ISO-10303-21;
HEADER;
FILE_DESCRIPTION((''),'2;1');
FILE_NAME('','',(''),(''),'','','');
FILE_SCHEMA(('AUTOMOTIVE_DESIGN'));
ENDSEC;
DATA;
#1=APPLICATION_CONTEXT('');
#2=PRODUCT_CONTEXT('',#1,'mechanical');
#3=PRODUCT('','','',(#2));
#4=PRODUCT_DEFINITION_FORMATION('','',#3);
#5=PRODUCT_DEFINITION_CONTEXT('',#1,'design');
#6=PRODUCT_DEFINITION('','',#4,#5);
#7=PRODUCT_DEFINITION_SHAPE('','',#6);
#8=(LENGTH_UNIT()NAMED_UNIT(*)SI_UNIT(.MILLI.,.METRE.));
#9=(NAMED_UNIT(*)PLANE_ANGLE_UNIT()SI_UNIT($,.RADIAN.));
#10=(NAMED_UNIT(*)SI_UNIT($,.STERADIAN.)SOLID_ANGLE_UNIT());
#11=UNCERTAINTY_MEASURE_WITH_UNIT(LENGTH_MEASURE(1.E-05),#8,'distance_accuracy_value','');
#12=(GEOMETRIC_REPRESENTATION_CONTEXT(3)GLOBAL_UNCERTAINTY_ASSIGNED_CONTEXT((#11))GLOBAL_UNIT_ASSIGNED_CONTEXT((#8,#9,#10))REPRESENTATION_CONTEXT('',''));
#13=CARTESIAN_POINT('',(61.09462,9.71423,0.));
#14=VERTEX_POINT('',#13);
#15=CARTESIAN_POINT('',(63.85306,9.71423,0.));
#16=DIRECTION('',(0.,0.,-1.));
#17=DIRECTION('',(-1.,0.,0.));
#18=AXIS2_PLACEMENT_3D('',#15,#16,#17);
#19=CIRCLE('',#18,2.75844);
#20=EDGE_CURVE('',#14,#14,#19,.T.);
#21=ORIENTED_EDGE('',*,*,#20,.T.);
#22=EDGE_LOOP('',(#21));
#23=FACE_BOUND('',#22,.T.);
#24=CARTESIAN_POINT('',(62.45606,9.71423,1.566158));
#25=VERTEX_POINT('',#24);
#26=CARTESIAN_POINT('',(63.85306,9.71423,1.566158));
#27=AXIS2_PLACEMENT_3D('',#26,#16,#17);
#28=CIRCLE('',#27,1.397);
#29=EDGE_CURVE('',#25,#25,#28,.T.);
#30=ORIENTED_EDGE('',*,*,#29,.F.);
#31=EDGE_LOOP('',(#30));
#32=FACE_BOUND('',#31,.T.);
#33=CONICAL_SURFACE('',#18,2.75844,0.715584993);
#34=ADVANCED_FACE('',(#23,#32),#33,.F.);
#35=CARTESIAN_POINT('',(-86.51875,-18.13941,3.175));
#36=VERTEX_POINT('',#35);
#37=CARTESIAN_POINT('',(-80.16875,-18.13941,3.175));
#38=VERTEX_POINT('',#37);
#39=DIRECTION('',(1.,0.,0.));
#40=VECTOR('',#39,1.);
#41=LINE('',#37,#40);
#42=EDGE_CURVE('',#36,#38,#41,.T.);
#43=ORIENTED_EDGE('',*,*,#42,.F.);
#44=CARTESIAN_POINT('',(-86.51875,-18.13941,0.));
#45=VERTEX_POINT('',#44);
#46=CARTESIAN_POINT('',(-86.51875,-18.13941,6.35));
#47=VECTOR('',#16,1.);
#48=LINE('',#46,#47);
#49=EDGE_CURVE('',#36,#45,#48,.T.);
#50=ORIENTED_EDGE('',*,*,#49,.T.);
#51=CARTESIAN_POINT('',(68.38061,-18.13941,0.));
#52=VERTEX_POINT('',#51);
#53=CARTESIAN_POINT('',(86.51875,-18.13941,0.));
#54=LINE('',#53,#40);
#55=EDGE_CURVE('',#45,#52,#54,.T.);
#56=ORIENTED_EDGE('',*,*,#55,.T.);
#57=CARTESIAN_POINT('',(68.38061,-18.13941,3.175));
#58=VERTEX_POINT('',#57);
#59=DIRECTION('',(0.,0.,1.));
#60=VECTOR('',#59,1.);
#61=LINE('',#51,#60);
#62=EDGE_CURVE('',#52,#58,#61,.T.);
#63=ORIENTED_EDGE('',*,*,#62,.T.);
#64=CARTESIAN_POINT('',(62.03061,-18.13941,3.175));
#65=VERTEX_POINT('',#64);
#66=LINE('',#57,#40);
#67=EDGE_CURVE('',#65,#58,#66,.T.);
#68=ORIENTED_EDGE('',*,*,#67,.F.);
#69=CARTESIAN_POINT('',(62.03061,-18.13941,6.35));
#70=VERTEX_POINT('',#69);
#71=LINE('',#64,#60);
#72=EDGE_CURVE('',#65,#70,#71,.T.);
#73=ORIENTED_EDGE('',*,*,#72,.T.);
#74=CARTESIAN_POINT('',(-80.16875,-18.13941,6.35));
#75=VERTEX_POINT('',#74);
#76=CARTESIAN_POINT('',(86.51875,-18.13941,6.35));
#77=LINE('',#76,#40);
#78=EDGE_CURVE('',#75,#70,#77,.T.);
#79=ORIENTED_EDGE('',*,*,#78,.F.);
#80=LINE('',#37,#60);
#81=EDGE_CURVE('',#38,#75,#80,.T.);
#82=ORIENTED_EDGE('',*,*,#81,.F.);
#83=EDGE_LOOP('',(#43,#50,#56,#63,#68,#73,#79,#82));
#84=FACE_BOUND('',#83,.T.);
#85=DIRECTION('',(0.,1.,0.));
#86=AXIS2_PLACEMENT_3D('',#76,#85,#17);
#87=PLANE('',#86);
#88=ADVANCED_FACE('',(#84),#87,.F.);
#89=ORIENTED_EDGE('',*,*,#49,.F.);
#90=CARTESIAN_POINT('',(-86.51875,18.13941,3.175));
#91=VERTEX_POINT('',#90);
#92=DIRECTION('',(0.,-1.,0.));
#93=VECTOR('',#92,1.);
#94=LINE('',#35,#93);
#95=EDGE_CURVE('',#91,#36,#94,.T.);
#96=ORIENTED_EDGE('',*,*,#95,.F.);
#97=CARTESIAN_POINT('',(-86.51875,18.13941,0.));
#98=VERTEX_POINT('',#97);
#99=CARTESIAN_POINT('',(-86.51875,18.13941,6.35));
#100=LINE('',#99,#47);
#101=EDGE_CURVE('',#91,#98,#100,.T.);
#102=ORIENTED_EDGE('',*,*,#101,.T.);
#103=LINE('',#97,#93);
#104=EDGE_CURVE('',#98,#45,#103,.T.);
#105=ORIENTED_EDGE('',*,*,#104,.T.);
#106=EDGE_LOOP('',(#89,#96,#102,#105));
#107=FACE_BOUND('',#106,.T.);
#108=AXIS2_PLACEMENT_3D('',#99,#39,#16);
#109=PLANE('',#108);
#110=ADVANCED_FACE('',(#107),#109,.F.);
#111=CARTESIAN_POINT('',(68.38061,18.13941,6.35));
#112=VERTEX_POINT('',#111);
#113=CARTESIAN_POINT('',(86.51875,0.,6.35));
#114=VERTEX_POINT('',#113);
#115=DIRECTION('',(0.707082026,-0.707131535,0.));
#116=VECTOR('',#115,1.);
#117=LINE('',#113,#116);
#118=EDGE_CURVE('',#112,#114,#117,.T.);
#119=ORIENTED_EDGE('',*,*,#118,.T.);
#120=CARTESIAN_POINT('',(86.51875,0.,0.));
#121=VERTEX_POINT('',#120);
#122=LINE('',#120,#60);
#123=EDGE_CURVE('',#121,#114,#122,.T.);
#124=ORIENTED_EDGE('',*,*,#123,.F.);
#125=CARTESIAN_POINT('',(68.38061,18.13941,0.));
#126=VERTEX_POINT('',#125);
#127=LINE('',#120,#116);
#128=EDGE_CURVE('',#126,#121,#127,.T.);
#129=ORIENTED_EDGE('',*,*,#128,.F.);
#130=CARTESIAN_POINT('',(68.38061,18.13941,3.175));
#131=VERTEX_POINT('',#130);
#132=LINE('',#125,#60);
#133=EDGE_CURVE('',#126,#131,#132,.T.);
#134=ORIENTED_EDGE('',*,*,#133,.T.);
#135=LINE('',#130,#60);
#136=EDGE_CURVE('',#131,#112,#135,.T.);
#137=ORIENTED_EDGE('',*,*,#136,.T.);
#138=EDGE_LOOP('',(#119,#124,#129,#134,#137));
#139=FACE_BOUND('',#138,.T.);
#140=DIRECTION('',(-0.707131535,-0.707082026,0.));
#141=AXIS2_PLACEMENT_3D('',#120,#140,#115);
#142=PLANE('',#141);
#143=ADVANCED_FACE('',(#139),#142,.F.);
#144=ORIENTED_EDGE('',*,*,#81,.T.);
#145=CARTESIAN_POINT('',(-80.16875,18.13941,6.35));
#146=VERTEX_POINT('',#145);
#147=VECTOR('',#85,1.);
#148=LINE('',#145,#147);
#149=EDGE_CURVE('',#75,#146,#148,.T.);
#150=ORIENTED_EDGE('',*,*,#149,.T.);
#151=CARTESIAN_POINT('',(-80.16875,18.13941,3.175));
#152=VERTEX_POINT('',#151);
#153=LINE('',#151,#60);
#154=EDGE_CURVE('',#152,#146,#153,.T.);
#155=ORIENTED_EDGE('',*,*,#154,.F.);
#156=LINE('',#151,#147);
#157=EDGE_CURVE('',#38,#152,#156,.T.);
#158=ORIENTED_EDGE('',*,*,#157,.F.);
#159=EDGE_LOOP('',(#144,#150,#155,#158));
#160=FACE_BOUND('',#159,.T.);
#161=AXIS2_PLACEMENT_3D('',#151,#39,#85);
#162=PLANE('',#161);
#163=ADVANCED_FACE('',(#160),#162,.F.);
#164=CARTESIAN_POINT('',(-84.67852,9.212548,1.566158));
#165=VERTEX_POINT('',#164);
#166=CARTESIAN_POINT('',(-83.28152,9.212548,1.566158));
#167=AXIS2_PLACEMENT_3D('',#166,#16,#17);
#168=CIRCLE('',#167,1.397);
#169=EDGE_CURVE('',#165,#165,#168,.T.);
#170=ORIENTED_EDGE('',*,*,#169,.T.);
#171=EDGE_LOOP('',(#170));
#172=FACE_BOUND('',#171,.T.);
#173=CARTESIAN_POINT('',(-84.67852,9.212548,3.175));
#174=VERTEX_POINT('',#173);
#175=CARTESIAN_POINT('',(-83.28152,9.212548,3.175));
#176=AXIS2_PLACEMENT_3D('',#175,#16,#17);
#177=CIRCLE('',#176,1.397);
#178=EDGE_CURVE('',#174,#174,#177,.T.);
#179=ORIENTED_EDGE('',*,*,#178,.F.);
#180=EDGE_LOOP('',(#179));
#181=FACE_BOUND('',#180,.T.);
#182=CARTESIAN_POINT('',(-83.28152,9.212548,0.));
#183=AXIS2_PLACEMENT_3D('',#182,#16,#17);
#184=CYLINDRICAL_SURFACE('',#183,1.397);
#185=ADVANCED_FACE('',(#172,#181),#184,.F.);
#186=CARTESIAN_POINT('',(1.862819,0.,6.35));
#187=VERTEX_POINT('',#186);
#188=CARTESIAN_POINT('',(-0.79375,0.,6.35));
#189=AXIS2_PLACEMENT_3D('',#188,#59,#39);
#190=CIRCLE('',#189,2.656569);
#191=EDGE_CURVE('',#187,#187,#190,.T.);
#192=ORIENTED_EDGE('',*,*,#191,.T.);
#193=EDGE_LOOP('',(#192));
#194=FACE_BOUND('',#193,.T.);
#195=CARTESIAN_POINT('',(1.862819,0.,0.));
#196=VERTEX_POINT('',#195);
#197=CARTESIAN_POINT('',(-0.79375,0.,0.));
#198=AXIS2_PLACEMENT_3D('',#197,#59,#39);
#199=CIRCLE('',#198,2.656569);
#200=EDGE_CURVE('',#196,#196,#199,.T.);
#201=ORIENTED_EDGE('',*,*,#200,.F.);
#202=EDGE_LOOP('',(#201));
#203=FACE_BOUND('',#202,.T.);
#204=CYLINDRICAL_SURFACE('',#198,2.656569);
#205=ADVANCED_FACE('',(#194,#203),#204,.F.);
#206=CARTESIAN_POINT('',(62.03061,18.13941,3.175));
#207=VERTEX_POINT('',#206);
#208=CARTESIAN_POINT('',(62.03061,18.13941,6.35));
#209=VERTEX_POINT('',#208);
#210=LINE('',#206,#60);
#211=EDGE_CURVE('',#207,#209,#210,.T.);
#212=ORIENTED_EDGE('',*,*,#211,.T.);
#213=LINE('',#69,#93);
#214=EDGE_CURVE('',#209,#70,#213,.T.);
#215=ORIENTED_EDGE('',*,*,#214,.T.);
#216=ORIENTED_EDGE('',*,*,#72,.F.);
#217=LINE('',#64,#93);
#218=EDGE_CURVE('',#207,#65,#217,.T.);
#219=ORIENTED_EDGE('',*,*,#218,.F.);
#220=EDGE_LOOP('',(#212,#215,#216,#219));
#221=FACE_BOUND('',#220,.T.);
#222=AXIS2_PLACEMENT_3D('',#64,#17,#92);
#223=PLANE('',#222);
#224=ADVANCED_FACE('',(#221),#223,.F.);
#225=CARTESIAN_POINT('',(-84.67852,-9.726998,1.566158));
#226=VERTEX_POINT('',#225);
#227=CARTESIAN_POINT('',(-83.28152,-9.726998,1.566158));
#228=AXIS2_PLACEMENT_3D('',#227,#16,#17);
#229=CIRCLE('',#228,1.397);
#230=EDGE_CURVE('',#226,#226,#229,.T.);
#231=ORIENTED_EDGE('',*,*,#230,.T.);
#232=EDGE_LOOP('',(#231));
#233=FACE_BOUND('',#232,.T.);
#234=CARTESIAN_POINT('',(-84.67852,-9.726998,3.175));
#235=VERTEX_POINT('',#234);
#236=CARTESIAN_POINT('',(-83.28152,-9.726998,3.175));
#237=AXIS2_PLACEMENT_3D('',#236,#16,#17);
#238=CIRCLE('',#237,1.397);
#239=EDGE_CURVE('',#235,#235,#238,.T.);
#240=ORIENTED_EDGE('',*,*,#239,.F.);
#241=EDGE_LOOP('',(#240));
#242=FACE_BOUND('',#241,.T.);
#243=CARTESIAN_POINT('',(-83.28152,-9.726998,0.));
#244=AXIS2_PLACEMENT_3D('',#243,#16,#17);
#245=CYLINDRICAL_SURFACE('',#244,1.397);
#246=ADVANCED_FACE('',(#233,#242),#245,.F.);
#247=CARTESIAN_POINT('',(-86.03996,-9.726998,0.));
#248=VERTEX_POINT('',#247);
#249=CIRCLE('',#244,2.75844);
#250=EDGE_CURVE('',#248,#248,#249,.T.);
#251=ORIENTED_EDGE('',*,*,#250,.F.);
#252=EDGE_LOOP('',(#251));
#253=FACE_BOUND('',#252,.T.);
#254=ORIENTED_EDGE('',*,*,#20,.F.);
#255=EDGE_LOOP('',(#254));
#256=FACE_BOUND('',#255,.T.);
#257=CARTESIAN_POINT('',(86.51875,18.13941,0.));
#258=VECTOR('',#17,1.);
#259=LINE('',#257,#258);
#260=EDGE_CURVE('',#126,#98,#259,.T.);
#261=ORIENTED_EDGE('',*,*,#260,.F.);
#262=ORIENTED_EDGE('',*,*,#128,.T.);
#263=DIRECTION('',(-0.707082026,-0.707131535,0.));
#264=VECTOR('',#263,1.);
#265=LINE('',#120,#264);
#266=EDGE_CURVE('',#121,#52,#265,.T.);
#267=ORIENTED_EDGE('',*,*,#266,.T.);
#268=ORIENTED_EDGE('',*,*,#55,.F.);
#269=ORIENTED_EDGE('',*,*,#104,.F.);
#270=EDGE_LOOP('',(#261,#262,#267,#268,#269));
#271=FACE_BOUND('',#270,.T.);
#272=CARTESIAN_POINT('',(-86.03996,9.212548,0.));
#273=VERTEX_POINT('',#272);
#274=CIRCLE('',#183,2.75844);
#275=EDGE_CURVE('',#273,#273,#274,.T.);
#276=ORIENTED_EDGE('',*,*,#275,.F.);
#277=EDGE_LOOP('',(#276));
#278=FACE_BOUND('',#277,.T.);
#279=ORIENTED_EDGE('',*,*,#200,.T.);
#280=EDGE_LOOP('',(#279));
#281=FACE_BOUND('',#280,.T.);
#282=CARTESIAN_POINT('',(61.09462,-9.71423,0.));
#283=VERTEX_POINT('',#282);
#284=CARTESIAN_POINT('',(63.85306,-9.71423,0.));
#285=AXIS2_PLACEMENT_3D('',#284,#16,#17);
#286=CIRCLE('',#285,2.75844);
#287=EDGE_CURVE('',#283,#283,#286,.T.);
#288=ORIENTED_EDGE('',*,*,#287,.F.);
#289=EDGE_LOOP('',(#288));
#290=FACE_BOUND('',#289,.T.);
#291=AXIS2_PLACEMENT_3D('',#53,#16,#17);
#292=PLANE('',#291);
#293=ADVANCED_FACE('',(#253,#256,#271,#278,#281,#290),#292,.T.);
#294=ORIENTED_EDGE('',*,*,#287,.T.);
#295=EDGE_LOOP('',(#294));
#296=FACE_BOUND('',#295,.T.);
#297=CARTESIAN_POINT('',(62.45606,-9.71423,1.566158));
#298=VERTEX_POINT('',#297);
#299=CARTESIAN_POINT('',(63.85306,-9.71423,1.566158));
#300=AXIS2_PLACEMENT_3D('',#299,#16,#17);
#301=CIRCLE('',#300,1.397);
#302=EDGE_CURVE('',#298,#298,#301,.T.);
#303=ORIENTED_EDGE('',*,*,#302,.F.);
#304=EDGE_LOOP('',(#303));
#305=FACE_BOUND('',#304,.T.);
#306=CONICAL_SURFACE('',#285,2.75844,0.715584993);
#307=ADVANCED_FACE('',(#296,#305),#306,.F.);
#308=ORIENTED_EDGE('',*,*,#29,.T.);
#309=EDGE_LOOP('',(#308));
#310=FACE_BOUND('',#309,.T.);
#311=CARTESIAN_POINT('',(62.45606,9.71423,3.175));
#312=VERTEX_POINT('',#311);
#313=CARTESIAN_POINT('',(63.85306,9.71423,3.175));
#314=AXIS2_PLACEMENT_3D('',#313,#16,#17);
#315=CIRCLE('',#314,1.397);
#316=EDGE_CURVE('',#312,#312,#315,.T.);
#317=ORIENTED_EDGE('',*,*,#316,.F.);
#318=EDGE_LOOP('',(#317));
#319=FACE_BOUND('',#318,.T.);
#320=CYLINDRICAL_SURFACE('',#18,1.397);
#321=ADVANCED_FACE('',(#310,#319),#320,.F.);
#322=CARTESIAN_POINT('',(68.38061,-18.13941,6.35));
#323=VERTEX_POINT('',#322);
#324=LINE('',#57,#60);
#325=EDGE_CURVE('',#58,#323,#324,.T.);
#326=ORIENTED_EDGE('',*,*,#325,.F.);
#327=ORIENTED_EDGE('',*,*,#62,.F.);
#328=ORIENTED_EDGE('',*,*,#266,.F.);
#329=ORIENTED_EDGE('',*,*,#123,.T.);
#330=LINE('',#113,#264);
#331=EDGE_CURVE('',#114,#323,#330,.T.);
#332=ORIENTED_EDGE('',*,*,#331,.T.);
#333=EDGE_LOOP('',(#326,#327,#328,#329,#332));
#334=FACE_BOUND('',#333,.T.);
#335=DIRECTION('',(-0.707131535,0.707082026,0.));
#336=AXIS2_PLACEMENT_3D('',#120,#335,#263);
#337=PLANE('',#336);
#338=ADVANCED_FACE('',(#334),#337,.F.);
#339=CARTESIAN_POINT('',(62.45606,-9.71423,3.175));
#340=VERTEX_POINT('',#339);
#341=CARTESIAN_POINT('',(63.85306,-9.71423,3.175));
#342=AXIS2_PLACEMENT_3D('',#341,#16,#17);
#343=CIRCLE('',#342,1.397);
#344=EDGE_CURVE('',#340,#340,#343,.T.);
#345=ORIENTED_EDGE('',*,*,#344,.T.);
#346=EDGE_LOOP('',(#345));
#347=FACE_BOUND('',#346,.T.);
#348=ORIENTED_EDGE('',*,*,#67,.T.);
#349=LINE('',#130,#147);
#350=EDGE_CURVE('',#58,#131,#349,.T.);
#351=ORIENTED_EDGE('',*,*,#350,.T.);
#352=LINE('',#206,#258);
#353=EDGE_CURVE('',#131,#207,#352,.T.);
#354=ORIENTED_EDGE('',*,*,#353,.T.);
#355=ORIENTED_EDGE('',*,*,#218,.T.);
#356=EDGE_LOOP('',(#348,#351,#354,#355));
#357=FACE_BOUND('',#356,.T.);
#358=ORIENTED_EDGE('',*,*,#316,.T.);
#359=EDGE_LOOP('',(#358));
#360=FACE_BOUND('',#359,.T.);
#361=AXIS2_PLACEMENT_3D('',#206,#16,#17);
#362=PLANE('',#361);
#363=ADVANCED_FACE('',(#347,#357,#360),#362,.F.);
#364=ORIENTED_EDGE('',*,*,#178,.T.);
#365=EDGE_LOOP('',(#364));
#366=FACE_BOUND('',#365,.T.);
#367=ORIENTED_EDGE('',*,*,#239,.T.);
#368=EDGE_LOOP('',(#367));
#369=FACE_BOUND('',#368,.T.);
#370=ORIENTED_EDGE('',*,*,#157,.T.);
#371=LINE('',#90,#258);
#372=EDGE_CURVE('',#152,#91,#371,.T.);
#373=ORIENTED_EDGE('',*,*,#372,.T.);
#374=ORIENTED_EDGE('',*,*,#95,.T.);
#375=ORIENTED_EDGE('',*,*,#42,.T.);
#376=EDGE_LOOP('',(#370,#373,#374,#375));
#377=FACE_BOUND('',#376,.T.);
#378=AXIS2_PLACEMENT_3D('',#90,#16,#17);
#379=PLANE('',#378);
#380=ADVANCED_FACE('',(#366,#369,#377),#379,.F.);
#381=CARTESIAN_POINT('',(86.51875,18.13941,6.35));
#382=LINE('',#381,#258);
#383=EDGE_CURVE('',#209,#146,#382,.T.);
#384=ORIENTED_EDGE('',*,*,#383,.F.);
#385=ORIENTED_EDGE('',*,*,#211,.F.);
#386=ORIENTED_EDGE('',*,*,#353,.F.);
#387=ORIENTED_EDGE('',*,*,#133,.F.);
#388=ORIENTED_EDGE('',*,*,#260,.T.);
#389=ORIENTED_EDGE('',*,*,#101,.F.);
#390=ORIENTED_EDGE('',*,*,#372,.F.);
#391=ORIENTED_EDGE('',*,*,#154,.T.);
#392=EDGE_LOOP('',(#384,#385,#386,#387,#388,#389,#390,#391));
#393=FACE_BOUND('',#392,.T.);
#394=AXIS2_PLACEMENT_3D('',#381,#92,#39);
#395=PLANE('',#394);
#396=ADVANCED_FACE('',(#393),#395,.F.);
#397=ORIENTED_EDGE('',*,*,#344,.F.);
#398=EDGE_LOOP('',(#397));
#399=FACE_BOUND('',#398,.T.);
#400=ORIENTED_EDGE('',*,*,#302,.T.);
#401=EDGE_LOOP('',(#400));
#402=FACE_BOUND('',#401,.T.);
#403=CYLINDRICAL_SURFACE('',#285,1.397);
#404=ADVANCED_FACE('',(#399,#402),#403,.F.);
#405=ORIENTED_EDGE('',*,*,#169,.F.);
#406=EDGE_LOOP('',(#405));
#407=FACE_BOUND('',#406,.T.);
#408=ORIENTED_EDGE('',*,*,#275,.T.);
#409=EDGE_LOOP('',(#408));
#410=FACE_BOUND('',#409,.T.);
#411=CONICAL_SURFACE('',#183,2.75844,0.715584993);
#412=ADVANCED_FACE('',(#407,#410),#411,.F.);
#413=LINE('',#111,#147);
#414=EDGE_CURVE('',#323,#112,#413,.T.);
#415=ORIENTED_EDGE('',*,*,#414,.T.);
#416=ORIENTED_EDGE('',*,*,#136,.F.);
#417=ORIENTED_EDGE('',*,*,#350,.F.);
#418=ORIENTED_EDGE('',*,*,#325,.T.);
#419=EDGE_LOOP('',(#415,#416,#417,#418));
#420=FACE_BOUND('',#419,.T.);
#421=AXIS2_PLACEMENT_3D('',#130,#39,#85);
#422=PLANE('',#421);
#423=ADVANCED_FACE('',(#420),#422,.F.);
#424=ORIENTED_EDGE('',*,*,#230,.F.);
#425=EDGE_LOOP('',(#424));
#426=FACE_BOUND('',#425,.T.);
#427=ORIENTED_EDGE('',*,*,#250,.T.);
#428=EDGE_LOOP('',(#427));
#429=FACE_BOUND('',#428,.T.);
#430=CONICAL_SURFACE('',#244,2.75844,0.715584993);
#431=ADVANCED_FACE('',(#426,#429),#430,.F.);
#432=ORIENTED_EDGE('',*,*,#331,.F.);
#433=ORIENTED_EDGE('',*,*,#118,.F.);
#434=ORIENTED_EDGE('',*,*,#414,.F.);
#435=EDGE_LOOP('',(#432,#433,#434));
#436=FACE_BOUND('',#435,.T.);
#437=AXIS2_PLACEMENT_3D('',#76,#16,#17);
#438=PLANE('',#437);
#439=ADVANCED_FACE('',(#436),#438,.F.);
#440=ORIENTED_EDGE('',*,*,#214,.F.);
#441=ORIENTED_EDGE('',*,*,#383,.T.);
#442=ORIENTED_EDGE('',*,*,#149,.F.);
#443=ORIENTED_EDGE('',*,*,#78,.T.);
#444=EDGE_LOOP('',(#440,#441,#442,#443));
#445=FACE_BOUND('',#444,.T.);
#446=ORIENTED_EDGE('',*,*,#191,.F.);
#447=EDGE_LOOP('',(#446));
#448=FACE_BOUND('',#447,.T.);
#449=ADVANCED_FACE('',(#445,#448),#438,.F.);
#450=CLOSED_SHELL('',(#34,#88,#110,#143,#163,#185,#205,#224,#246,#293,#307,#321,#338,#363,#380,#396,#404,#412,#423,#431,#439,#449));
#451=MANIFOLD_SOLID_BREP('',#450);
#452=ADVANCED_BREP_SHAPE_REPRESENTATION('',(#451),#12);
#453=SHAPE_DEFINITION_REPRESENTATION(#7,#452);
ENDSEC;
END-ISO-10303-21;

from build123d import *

# Parameters (mm, degrees)
SKETCH1_W                                         = 173.0375
SKETCH1_H                                         = 36.27882
EXTRUDE2_DEPTH                                    = 6.35
SKETCH8_W                                         = 6.35
SKETCH8_H                                         = 36.27882
EXTRUDE7_DEPTH                                    = 3.175
CSK_FOR_3_FLAT_HEAD_SOCKET_CAP_SCREW1_D           = 2.794
CSK_FOR_3_FLAT_HEAD_SOCKET_CAP_SCREW1_CSINK_D     = 5.51688
CSK_FOR_3_FLAT_HEAD_SOCKET_CAP_SCREW1_CSINK_ANGLE = 82
CSK_FOR_3_FLAT_HEAD_SOCKET_CAP_SCREW2_D           = 2.794
CSK_FOR_3_FLAT_HEAD_SOCKET_CAP_SCREW2_CSINK_D     = 5.51688
CSK_FOR_3_FLAT_HEAD_SOCKET_CAP_SCREW2_CSINK_ANGLE = 82
CSK_FOR_3_FLAT_HEAD_SOCKET_CAP_SCREW3_D           = 2.794
CSK_FOR_3_FLAT_HEAD_SOCKET_CAP_SCREW3_CSINK_D     = 5.51688
CSK_FOR_3_FLAT_HEAD_SOCKET_CAP_SCREW3_CSINK_ANGLE = 82
EXTRUDE8_DEPTH                                    = 89.627618702
SKETCH19_R                                        = 2.656568676
EXTRUDE9_DEPTH                                    = 89.627618702


with BuildPart() as part:
    # Sketch1 → Extrude2 (new body)
    with BuildSketch(Plane.XY):
        Rectangle(SKETCH1_W, SKETCH1_H)
    extrude(amount=EXTRUDE2_DEPTH)

    # Sketch8 → Extrude7 (cut)
    with BuildSketch(Plane.XY.offset(6.35)):
        with Locations((-83.34375, 0)):
            Rectangle(SKETCH8_W, SKETCH8_H)
        with Locations((65.20561, 0)):
            Rectangle(SKETCH8_W, SKETCH8_H)
    extrude(amount=-EXTRUDE7_DEPTH, mode=Mode.SUBTRACT)

    # CSK for #3 Flat Head Socket Cap Screw1 (through all)
    with Locations(Plane(origin=(-27.747731188, -5.395978674, 0), x_dir=(-1, 0, 0), z_dir=(0, 0, -1))):
        with Locations((55.533788812, -4.331019161)):
            CounterSinkHole(CSK_FOR_3_FLAT_HEAD_SOCKET_CAP_SCREW1_D / 2, CSK_FOR_3_FLAT_HEAD_SOCKET_CAP_SCREW1_CSINK_D / 2, counter_sink_angle=CSK_FOR_3_FLAT_HEAD_SOCKET_CAP_SCREW1_CSINK_ANGLE)

    # CSK for #3 Flat Head Socket Cap Screw2 (through all)
    with Locations(Plane(origin=(-27.747731188, -5.395978674, 0), x_dir=(-1, 0, 0), z_dir=(0, 0, -1))):
        with Locations((55.533788812, 14.608526561)):
            CounterSinkHole(CSK_FOR_3_FLAT_HEAD_SOCKET_CAP_SCREW2_D / 2, CSK_FOR_3_FLAT_HEAD_SOCKET_CAP_SCREW2_CSINK_D / 2, counter_sink_angle=CSK_FOR_3_FLAT_HEAD_SOCKET_CAP_SCREW2_CSINK_ANGLE)

    # CSK for #3 Flat Head Socket Cap Screw3 (through all)
    with Locations(Plane(origin=(-27.747731188, -5.395978674, 0), x_dir=(-1, 0, 0), z_dir=(0, 0, -1))):
        with Locations((-91.600791188, -4.318251326), (-91.600791188, 15.110208674)):
            CounterSinkHole(CSK_FOR_3_FLAT_HEAD_SOCKET_CAP_SCREW3_D / 2, CSK_FOR_3_FLAT_HEAD_SOCKET_CAP_SCREW3_CSINK_D / 2, counter_sink_angle=CSK_FOR_3_FLAT_HEAD_SOCKET_CAP_SCREW3_CSINK_ANGLE)

    # Sketch18 → Extrude8 (cut, through all)
    with BuildSketch(Plane.XY.offset(6.35)):
        Polygon((86.51875, 0), (68.38061, 18.13941), (113.519162523, 18.13941), (113.519162523, -18.13941), (68.38061, -18.13941), align=None)
    extrude(amount=-EXTRUDE8_DEPTH, mode=Mode.SUBTRACT)

    # Sketch19 → Extrude9 (cut, through all)
    with BuildSketch(Plane.XY.offset(6.35)):
        with Locations((-0.79375, 0)):
            Circle(SKETCH19_R)
    extrude(amount=-EXTRUDE9_DEPTH, mode=Mode.SUBTRACT)


solid = part.part
